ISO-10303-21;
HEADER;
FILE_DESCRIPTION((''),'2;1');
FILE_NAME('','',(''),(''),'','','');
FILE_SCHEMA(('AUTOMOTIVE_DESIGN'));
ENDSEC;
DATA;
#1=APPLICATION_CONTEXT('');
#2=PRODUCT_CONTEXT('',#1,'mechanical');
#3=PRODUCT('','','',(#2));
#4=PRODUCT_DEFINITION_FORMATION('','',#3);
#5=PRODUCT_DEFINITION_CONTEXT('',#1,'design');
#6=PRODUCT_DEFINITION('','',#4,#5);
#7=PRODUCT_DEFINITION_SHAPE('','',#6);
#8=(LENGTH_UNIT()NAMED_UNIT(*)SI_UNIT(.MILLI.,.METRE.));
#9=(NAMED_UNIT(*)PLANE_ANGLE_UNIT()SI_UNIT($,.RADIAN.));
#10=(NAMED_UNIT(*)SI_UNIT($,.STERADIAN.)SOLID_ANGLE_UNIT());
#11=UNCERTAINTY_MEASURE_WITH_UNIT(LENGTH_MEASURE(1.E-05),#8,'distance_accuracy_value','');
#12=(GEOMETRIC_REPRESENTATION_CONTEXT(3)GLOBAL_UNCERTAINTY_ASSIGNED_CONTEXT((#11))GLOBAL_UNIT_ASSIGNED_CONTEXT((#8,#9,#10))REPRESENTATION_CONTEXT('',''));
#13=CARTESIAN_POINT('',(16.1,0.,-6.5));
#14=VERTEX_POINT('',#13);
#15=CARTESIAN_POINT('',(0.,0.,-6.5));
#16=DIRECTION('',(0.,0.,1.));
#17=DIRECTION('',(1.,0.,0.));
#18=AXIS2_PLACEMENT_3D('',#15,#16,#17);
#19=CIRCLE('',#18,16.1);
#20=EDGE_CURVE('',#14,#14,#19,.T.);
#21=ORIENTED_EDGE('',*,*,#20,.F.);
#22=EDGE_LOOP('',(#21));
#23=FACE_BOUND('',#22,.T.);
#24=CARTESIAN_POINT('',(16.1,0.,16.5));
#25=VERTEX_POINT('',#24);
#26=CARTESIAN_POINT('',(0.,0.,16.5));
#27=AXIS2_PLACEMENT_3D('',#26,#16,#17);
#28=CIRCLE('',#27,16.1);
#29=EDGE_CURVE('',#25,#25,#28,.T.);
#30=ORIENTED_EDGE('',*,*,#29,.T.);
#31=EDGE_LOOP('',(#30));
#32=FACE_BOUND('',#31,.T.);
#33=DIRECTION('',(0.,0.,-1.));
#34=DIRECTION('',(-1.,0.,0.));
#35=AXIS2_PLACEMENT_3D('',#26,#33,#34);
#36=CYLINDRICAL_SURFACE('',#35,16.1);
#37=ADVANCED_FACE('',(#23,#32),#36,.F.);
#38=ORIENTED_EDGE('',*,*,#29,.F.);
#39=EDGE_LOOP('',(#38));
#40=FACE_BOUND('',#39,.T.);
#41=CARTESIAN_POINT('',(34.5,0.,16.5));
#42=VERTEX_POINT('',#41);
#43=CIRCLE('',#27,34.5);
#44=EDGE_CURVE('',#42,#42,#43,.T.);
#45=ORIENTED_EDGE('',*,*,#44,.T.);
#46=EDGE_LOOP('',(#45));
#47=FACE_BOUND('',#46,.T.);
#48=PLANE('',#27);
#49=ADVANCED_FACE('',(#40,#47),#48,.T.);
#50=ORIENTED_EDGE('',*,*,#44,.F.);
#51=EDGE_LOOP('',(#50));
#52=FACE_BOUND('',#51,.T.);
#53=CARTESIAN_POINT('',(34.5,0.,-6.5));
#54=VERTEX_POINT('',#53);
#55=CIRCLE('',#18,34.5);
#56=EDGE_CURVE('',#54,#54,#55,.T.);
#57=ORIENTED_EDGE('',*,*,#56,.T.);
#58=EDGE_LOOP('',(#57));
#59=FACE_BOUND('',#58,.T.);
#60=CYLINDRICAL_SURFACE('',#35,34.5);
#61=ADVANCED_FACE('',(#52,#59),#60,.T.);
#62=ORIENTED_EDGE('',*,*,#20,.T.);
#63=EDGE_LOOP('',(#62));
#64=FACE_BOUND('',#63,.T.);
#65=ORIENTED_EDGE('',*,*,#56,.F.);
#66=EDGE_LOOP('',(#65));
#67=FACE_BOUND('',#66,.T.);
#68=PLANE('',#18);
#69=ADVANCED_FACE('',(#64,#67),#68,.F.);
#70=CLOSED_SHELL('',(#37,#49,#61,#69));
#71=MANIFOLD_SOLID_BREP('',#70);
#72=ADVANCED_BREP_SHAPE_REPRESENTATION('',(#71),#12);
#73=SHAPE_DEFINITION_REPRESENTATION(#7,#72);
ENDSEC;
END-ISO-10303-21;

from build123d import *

# Parameters (mm, degrees)
SKETCH1_R           = 15
SKETCH1_R_2         = 7
BOSS_EXTRUDE1_DEPTH = 10
SCALE1_SCALE        = 2.3


with BuildPart() as part:
    # Sketch1 → Boss-Extrude1 (new body)
    with BuildSketch(Plane.XY):
        Circle(SKETCH1_R)
        Circle(SKETCH1_R_2, mode=Mode.SUBTRACT)
    extrude(amount=BOSS_EXTRUDE1_DEPTH)


with BuildPart() as part_1:
    # Scale1: scaled about (0, 0, 5)
    add(part.part.scale(SCALE1_SCALE).moved(Location((0, 0, -6.5))))


solid = part_1.part
